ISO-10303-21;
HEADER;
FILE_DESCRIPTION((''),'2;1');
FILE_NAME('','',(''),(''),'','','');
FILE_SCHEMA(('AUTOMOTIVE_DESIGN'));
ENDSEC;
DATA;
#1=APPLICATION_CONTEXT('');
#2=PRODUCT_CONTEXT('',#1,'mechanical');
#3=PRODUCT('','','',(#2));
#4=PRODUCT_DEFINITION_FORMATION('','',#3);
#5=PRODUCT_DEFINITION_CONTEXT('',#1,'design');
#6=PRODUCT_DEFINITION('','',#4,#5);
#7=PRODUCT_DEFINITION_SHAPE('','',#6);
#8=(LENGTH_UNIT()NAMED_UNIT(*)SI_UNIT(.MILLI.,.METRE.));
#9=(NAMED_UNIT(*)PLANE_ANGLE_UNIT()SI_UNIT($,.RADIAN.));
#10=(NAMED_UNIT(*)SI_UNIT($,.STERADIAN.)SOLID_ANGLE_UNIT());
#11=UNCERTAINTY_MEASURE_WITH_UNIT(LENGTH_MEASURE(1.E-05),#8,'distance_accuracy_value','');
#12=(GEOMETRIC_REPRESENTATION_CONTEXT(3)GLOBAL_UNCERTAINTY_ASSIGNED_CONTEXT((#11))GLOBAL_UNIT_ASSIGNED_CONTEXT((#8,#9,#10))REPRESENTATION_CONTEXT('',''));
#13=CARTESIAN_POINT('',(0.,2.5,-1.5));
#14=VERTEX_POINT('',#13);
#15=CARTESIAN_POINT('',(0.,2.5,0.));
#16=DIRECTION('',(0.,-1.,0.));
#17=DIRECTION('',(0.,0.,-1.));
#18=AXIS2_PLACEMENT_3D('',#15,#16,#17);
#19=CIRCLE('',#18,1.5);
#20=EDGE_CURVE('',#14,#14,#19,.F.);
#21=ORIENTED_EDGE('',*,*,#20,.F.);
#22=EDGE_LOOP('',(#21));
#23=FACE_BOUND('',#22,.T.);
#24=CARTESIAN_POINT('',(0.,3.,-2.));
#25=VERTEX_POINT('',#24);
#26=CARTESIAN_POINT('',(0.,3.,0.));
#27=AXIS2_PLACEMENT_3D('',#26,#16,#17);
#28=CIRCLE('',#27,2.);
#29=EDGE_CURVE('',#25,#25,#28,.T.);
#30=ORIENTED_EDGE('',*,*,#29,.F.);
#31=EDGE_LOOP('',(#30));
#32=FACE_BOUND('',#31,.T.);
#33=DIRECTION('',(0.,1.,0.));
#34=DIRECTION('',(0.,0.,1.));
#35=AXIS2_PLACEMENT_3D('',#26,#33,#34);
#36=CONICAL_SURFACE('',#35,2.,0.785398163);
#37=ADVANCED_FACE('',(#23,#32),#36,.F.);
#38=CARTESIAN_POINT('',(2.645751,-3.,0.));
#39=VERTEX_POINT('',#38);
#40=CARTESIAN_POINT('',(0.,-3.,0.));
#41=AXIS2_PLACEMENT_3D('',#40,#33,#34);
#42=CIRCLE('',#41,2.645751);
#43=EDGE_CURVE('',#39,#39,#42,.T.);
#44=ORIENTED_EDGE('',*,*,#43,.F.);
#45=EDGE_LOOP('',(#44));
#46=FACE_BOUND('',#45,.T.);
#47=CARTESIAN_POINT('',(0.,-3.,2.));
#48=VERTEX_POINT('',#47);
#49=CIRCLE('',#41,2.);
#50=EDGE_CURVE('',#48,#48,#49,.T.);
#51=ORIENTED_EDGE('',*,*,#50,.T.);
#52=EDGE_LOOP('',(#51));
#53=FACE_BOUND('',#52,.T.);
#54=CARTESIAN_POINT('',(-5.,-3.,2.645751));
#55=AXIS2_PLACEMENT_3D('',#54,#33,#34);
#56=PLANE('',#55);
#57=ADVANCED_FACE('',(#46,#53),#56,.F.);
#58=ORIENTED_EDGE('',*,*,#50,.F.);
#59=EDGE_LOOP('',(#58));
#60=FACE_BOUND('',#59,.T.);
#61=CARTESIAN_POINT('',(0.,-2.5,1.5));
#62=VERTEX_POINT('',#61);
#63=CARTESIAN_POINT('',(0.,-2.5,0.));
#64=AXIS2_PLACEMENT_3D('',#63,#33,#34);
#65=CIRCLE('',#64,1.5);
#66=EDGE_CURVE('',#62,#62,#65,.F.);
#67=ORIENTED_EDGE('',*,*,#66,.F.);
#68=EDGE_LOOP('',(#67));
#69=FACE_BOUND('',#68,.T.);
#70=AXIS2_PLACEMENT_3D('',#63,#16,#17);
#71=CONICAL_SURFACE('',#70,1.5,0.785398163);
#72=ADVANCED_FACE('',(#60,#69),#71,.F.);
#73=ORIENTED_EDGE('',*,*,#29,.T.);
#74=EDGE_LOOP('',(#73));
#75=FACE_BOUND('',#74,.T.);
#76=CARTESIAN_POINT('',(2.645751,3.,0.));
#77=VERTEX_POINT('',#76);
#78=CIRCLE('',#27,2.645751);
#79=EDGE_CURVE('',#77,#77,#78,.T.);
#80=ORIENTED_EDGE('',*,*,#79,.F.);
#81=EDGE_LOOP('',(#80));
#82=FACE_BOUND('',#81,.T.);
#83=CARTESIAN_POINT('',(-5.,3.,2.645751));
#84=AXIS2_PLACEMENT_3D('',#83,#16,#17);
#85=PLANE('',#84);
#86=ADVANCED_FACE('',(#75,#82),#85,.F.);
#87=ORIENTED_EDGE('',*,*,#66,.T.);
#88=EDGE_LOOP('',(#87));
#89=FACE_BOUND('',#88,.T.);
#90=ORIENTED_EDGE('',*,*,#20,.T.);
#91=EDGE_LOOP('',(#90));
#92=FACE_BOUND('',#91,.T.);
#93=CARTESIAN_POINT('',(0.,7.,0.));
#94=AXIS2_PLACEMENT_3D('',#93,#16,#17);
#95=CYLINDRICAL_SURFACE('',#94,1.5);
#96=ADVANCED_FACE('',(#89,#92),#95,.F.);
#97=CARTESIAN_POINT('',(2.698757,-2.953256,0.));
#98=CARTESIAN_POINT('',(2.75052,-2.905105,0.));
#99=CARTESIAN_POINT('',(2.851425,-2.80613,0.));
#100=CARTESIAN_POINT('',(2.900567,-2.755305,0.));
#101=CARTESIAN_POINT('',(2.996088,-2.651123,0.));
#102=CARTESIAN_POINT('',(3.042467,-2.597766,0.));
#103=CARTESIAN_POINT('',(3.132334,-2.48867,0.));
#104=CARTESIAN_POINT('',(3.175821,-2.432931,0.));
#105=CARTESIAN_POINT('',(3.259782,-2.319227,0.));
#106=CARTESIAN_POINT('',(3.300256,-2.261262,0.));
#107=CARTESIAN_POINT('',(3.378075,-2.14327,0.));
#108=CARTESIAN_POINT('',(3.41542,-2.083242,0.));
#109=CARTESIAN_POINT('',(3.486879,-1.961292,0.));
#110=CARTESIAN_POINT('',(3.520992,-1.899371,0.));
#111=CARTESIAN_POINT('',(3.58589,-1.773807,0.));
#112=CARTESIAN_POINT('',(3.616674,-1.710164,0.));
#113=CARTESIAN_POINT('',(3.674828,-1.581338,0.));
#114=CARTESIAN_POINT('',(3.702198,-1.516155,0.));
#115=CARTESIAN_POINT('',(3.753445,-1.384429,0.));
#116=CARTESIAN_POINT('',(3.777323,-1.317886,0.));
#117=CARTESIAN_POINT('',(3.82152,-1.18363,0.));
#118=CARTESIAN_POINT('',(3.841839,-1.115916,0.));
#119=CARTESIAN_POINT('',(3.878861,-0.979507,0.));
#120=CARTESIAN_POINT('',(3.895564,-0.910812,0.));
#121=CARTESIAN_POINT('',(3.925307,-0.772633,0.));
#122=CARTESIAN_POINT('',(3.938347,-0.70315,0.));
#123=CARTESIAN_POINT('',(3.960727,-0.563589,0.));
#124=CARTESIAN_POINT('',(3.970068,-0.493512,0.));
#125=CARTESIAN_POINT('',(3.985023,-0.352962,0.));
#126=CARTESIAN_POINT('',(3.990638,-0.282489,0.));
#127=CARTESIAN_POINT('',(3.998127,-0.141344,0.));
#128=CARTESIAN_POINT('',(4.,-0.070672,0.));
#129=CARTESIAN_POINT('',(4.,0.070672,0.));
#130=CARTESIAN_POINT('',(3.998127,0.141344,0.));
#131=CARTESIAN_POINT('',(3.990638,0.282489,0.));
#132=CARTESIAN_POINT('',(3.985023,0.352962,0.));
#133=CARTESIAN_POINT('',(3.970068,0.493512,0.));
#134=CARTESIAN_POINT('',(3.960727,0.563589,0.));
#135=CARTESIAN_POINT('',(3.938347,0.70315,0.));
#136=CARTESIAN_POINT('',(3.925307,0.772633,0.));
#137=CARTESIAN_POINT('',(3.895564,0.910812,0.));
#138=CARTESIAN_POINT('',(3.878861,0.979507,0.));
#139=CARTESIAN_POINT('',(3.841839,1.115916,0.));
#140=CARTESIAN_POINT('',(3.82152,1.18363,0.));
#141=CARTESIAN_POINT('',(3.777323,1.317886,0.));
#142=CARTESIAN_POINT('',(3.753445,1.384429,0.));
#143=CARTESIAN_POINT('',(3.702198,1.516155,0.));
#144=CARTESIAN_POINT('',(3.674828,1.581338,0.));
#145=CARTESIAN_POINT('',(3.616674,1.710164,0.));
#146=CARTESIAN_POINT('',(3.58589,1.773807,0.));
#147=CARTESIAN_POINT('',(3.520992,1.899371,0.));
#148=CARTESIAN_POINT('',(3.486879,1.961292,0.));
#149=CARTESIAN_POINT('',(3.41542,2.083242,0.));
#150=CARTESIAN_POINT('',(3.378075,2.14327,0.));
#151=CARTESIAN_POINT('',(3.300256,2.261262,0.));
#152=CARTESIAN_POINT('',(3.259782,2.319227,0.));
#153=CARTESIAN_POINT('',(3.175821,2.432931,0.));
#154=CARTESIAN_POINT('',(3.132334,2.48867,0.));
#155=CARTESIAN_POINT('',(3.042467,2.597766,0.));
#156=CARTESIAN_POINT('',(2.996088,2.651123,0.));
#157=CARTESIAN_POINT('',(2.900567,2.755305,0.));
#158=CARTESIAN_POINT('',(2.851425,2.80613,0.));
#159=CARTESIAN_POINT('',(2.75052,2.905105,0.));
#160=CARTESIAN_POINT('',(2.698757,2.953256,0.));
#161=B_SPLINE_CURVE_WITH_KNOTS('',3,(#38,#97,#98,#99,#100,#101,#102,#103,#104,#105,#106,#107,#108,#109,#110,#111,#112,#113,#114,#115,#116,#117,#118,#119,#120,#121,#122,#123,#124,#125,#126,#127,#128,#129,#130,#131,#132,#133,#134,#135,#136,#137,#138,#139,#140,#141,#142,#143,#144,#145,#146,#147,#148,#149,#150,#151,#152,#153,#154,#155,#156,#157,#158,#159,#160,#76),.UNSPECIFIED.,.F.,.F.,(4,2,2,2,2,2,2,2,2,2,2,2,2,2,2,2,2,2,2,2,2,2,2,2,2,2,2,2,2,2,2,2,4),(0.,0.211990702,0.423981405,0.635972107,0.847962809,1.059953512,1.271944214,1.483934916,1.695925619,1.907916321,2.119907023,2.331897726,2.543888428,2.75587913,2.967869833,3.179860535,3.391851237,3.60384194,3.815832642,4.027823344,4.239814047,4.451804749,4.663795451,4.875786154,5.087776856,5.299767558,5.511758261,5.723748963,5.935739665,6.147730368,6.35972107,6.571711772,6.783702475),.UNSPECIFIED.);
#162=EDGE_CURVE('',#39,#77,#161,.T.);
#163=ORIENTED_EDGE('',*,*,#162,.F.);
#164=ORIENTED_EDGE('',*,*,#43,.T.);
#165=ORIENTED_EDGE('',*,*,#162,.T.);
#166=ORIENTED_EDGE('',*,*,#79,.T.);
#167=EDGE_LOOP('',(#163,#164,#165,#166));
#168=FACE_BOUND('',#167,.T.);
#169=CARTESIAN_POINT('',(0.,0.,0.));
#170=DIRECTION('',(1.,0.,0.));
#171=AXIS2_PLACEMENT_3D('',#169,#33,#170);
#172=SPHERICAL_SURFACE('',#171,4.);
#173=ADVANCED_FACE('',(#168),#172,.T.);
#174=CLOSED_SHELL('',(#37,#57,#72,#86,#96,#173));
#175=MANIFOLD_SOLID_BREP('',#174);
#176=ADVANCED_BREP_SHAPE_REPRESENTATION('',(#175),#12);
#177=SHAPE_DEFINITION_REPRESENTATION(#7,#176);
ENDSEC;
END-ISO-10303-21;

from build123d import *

# Parameters (mm, degrees)
CUT_EXTRUDE_1_DEPTH = 5
SKETCH_4_R          = 1.5
CUT_EXTRUDE_2_DEPTH = 10
CHAMFER_1_SIZE      = 0.5


with BuildPart() as part:
    # 草图1 → 旋转1 (revolve)
    with BuildSketch(Plane.XY):
        with BuildLine():
            Line((0, 4), (0, -4))
            ThreePointArc((0, -4), (4, 0), (0, 4))
        make_face()
    revolve(axis=Axis((0, 4, 0), (0, -1, 0)))

    # 草图3 → 切除-拉伸1 (cut, symmetric)
    with BuildSketch(Plane(origin=(0, 0, 0), x_dir=(0, 0, -1), z_dir=(1, 0, 0))):
        with BuildLine():
            Line((-2.645751311, 3), (2.645751311, 3))
            ThreePointArc((2.645751311, 3), (0, 4), (-2.645751311, 3))
        make_face()
        with BuildLine():
            Line((-2.645751311, -3), (2.645751311, -3))
            ThreePointArc((2.645751311, -3), (0, -4), (-2.645751311, -3))
        make_face()
    extrude(amount=CUT_EXTRUDE_1_DEPTH, both=True, mode=Mode.SUBTRACT)

    # 草图4 → 切除-拉伸2 (cut)
    with BuildSketch(Plane.XZ.offset(3)):
        with Locations(Location((0, 0, 0), (0, 0, 270))):
            Circle(SKETCH_4_R)
    extrude(amount=-CUT_EXTRUDE_2_DEPTH, mode=Mode.SUBTRACT)

    # 倒角1
    chamfer_1_edges = [part.edges().sort_by_distance(p)[0] for p in [
        (0, 3, 1.5),
        (0, -3, 1.5),
    ]]
    chamfer(chamfer_1_edges, length=CHAMFER_1_SIZE)


solid = part.part
